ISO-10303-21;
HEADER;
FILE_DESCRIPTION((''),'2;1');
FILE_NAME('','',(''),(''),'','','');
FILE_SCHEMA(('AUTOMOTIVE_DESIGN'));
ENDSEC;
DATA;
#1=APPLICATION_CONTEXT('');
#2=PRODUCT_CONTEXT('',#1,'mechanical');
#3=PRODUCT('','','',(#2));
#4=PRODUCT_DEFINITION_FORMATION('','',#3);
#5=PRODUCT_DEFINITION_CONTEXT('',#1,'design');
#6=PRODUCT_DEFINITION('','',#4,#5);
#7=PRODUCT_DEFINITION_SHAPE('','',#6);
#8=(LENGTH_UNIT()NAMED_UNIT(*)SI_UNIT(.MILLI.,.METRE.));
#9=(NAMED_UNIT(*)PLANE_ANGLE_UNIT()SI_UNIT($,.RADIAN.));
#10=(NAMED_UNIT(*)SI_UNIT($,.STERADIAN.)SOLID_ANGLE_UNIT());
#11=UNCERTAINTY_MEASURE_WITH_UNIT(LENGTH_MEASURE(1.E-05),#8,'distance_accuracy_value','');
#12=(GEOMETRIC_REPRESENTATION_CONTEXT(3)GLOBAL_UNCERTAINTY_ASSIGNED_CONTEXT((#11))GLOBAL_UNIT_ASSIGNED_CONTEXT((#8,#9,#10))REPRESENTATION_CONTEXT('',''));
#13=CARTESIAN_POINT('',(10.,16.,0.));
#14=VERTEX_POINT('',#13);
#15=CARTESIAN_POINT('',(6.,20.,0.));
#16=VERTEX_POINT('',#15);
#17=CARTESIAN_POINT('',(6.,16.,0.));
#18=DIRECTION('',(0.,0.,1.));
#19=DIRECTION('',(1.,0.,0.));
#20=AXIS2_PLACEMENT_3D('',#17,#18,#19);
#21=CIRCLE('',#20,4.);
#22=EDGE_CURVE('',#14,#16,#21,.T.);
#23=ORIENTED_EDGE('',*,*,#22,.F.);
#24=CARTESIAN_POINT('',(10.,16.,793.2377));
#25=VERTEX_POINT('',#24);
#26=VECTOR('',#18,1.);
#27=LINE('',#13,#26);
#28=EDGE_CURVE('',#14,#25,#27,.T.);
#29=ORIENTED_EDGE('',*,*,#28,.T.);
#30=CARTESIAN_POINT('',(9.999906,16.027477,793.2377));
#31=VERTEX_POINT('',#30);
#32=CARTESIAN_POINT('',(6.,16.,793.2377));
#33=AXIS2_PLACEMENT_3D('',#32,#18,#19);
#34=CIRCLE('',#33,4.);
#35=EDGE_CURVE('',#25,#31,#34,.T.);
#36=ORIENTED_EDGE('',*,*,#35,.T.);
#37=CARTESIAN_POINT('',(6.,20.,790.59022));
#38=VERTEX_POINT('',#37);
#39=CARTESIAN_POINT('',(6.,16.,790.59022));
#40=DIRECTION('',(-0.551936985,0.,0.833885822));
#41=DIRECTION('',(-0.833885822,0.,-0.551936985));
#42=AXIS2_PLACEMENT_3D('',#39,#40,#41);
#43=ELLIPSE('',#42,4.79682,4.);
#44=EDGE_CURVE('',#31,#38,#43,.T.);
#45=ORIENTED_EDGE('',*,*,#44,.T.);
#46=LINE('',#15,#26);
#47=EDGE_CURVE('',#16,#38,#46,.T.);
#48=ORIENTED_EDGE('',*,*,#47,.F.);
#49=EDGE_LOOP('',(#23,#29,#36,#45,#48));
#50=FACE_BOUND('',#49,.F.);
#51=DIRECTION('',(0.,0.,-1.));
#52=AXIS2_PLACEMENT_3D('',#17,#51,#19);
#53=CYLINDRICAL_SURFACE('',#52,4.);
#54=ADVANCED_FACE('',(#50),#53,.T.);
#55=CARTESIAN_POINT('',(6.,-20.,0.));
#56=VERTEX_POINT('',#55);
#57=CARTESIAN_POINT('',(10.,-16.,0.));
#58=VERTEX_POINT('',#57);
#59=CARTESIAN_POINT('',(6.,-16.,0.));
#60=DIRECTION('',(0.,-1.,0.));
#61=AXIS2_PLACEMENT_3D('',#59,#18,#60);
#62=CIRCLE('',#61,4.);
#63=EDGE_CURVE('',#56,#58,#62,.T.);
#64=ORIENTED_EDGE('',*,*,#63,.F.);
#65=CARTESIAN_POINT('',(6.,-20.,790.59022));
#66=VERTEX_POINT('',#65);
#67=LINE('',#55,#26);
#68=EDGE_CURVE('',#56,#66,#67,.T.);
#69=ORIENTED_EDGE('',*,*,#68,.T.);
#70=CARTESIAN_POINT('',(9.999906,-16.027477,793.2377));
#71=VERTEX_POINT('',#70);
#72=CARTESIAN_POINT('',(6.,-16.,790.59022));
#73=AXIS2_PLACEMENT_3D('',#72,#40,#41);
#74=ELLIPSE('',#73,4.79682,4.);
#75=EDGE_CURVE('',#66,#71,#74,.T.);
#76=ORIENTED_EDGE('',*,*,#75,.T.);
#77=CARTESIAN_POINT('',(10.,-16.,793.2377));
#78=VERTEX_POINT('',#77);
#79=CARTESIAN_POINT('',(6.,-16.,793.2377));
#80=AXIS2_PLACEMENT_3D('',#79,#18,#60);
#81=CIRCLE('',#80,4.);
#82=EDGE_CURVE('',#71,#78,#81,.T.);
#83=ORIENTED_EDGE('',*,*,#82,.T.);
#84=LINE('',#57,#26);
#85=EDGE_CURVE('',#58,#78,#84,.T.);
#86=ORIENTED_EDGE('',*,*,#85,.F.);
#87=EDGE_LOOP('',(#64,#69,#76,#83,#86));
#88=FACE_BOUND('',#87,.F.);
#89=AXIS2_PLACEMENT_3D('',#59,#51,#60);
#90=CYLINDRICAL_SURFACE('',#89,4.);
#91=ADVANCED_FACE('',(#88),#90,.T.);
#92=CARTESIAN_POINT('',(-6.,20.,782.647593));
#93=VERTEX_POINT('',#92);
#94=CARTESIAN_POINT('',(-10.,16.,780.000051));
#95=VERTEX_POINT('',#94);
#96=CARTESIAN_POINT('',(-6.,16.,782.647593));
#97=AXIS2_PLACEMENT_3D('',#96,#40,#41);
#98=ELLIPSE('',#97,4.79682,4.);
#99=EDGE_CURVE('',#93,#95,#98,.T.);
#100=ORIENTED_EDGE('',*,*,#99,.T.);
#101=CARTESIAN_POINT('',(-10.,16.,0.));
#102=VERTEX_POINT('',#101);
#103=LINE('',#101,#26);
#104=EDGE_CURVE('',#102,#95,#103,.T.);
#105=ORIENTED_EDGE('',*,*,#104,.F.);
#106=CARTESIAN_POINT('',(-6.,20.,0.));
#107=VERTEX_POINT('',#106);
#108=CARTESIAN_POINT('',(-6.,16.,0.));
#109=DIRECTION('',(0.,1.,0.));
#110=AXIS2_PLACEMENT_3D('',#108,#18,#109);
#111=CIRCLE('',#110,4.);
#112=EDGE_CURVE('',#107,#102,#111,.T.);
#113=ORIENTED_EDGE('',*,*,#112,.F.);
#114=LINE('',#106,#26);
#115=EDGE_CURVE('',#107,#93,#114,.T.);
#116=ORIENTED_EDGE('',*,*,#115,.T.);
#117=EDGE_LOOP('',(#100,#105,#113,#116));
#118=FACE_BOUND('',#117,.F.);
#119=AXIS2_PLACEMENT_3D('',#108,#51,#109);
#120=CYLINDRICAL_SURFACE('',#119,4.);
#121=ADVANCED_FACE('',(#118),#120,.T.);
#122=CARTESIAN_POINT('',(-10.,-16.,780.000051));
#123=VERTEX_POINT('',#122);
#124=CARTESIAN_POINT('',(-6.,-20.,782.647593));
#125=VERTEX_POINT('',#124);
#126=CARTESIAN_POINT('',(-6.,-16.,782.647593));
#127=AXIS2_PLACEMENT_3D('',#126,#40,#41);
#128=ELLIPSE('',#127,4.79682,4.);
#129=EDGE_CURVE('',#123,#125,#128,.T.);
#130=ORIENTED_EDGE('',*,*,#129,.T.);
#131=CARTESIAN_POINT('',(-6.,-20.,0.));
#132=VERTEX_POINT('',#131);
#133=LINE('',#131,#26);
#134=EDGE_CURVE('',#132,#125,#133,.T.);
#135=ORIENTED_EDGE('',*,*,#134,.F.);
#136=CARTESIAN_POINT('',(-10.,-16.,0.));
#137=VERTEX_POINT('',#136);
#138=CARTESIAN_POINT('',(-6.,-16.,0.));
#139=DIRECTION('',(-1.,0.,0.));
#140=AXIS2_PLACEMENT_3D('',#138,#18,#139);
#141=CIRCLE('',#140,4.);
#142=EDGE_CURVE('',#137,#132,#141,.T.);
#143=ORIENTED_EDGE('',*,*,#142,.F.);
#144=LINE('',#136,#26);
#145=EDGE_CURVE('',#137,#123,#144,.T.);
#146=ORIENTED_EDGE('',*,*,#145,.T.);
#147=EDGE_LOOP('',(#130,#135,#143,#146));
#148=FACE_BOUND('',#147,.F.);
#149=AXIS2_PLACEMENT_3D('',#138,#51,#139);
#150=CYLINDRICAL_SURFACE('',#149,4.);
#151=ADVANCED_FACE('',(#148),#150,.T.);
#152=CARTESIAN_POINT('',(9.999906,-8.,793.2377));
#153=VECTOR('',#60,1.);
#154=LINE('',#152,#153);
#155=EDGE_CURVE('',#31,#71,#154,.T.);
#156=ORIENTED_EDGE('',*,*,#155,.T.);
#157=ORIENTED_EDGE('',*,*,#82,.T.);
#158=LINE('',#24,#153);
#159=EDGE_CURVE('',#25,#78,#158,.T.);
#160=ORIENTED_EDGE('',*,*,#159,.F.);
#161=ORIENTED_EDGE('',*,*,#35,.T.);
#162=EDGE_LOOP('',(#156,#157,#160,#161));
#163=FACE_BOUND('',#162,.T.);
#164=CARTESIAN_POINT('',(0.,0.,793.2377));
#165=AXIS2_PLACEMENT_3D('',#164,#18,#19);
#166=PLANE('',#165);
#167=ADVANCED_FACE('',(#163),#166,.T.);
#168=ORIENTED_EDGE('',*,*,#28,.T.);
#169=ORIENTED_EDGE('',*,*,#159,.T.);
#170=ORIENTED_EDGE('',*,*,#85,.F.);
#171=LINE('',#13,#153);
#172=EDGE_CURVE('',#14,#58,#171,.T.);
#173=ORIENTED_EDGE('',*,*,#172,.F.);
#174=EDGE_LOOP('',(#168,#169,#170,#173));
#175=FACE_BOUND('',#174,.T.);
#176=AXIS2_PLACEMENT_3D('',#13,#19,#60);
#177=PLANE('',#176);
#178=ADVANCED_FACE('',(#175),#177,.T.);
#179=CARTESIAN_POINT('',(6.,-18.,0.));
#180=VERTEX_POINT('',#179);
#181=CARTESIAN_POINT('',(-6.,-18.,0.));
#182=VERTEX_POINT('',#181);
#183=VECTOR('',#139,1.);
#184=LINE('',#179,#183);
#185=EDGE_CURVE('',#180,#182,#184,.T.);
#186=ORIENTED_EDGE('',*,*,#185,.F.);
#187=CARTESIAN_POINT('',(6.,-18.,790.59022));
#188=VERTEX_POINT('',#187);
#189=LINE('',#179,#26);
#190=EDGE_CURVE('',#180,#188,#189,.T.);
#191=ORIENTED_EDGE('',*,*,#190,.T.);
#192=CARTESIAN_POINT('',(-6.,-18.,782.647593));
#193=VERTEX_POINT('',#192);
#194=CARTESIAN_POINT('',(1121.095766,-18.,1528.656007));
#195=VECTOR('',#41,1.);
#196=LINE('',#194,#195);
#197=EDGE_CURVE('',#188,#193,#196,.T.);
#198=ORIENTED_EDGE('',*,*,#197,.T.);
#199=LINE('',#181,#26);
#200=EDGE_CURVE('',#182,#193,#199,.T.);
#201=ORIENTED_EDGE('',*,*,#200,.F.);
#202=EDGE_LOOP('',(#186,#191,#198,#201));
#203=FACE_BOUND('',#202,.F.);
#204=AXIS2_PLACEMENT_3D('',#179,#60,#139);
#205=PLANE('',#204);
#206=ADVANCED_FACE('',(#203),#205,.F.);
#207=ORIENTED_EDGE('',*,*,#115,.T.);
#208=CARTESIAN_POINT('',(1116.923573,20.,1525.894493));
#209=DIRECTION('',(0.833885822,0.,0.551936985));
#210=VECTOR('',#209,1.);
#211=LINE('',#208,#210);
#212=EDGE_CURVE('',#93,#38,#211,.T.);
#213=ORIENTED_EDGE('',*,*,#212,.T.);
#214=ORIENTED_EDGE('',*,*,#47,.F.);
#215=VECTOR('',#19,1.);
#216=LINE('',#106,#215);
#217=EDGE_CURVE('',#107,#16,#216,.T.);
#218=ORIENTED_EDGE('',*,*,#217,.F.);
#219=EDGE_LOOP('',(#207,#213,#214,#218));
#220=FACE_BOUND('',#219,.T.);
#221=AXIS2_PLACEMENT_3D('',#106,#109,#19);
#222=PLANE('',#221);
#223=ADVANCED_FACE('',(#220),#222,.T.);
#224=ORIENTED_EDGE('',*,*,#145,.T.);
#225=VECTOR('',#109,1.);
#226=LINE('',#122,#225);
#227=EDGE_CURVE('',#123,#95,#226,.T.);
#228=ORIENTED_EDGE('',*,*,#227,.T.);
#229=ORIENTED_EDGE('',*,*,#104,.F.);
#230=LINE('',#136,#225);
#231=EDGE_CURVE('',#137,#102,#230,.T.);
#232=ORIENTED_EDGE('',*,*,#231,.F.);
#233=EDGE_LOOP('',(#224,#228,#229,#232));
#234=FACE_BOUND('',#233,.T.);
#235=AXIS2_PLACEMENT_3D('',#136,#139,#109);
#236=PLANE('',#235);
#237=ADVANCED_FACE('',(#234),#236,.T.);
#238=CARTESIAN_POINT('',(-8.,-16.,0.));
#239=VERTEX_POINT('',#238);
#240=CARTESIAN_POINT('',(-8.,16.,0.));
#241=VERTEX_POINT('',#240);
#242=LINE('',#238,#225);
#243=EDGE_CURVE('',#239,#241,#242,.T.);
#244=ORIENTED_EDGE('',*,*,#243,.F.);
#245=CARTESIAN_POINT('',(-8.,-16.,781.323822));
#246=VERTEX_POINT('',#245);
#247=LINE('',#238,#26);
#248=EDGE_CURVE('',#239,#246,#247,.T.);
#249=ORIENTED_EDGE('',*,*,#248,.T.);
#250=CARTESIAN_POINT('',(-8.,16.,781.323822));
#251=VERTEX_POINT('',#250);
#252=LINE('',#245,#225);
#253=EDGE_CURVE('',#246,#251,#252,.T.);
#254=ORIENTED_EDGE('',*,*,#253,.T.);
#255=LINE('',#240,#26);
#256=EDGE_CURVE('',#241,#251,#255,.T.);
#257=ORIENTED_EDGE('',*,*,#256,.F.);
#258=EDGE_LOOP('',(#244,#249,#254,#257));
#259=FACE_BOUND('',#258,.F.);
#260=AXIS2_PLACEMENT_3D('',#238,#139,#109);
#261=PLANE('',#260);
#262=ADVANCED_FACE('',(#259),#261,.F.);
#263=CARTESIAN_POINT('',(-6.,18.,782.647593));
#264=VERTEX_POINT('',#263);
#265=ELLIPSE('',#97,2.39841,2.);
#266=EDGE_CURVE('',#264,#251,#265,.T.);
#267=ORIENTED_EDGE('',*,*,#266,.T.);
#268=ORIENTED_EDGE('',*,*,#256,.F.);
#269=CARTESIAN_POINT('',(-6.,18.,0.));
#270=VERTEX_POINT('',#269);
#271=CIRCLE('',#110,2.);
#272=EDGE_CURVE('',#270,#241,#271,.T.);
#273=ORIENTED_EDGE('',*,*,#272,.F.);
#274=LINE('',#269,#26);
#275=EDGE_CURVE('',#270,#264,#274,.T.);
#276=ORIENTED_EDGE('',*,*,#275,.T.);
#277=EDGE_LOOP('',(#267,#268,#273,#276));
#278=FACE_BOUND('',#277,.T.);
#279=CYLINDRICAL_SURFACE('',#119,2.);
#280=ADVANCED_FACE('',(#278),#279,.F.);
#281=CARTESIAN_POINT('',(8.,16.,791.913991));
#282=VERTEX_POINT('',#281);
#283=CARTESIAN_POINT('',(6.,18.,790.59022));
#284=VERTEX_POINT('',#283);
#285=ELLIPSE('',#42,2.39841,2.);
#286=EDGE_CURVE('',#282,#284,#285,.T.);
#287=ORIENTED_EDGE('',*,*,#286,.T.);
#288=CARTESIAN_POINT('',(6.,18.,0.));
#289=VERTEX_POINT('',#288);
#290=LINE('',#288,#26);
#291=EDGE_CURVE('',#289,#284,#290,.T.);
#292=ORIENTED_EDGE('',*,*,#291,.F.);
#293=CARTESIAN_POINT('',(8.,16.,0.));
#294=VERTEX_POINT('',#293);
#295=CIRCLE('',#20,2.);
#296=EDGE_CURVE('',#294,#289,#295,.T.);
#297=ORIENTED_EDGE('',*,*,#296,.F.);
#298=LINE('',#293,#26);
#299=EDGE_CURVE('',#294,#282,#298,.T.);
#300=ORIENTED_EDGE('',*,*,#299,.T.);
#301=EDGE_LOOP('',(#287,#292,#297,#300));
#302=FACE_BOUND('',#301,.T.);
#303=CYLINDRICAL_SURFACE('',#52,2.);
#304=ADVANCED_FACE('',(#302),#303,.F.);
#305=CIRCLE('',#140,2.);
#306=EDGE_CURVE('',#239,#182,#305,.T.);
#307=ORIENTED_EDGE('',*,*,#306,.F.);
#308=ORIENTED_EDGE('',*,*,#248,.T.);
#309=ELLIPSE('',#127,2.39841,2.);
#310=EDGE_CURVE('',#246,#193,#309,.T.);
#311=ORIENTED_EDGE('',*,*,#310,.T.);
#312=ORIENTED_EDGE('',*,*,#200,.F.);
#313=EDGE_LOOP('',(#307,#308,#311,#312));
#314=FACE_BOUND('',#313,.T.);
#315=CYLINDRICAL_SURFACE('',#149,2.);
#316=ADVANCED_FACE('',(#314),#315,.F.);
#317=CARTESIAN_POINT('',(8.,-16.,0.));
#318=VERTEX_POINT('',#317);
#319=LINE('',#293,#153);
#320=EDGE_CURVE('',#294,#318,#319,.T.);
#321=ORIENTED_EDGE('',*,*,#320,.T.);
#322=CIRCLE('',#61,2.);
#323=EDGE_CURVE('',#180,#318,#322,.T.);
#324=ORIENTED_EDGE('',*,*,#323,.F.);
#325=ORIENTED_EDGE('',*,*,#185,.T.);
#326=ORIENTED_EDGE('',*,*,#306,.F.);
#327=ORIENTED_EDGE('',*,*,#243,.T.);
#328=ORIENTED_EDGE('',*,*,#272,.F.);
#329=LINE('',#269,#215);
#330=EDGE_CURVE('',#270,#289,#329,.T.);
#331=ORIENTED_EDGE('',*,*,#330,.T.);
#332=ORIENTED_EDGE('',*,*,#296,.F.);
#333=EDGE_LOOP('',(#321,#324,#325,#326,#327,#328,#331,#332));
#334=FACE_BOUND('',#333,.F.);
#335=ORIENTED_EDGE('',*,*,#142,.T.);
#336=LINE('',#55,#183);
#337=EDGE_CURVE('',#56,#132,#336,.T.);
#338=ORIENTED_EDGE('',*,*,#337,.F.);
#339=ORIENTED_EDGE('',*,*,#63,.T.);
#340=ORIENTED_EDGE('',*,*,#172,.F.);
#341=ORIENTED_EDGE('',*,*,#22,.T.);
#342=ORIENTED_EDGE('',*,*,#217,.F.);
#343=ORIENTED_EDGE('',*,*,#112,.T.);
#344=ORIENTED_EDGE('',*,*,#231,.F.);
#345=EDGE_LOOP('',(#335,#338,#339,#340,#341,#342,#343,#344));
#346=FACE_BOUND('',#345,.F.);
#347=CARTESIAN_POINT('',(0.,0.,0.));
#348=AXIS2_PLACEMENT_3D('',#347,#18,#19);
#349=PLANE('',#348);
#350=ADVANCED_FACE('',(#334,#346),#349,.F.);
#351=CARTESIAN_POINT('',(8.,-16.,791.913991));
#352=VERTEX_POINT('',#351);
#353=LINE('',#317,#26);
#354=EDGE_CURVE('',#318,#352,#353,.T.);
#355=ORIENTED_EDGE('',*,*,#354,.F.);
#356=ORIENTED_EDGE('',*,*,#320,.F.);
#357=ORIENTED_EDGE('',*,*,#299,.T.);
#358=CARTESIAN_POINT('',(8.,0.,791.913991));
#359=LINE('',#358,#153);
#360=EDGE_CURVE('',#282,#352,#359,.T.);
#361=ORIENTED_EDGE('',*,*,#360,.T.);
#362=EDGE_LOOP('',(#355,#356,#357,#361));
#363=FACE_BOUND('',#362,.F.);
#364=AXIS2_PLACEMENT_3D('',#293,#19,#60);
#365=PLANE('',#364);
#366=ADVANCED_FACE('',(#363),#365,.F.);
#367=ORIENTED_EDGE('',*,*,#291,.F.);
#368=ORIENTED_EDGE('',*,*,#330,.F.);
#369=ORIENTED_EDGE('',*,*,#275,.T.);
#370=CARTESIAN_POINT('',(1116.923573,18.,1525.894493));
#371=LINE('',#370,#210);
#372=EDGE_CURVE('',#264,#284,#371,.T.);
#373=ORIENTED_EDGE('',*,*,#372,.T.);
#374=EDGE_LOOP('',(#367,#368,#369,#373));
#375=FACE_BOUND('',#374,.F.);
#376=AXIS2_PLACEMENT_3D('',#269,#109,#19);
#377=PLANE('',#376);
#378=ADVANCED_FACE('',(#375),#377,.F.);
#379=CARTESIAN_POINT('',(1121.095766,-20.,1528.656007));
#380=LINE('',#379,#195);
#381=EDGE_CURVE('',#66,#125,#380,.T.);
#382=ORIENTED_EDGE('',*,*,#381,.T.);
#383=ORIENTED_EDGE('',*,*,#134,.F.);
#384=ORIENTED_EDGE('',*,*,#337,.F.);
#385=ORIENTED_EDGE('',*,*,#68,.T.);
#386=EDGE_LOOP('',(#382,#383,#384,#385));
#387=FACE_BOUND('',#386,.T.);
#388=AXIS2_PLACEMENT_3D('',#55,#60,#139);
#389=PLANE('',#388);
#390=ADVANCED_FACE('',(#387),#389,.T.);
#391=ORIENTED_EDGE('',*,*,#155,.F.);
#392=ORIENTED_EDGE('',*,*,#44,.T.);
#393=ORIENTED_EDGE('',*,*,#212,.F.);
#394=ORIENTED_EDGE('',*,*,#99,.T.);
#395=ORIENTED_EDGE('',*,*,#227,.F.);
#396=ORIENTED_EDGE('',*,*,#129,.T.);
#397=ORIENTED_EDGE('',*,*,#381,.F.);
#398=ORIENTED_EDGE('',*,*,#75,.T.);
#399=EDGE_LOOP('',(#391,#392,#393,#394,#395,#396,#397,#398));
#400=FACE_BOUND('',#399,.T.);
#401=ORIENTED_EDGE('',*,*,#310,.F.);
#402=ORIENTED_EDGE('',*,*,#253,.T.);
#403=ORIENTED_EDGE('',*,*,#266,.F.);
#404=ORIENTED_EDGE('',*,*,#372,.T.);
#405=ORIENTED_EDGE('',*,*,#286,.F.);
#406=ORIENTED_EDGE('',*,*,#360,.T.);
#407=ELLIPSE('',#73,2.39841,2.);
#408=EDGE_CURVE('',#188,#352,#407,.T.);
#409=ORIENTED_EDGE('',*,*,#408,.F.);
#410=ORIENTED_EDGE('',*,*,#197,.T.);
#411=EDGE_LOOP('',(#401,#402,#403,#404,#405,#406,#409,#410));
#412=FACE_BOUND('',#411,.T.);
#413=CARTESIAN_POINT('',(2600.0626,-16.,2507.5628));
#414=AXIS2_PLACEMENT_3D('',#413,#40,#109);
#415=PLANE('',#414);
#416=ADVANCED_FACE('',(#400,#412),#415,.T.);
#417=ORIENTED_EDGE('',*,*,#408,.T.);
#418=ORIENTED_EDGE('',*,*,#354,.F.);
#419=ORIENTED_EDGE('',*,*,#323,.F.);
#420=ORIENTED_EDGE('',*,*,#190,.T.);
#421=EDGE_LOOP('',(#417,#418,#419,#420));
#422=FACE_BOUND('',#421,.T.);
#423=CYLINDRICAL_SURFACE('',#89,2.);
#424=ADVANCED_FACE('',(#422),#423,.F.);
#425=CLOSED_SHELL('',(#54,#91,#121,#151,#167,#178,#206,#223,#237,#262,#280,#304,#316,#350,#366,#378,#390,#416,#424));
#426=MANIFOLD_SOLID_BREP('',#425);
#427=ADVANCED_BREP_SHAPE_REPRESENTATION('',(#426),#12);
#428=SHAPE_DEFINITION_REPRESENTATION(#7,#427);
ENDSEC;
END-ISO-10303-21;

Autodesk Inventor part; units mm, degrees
ref_plane "Start Plane" through (0, 0, 0) normal (0, 0, 1) x (1, 0, 0)
ref_plane "End Plane" through (0, 0, 793.2377) normal (0, 0, 1) x (1, 0, 0)
sketch "Sketch" plane through (0, 0, 0) normal (0, 0, 1) x (1, 0, 0)
  line L0 (-10, -16) -> (-10, 16)
  line L1 (-6, 20) -> (6, 20)
  line L2 (10, 16) -> (10, -16)
  line L3 (6, -20) -> (-6, -20)
  arc A0 (-10, -16) -> (-6, -20) centre (-6, -16) ccw
  arc A1 (10, 16) -> (6, 20) centre (6, 16) ccw
  arc A2 (-6, 20) -> (-10, 16) centre (-6, 16) ccw
  arc A3 (6, -20) -> (10, -16) centre (6, -16) ccw
  arc A4 (-6, 18) -> (-8, 16) centre (-6, 16) ccw
  line L4 (-6, 18) -> (6, 18)
  arc A5 (8, 16) -> (6, 18) centre (6, 16) ccw
  line L5 (8, 16) -> (8, -16)
  arc A6 (6, -18) -> (8, -16) centre (6, -16) ccw
  line L6 (6, -18) -> (-6, -18)
  arc A7 (-8, -16) -> (-6, -18) centre (-6, -16) ccw
  line L7 (-8, -16) -> (-8, 16)
  line L8 (0, 29.1598) -> (0, -29.1598) construction
  line L9 (-15.1598, 0) -> (15.1598, 0) construction
  dimension "d7" = 4
  dimension "d9" = 20
  dimension "d11" = 40
  dimension "d12" = 2
  dimension "d15" = 10
  dimension "d16" = 20
extrude "Body" add sketch "Sketch" along normal up to surface (793.2377 mm away) from surface at 0
sketch "Sketch3" plane through (0, 0, 0) normal (0, 0, 1) x (1, 0, 0)
  line L0 (0, 0) -> (10, 0)
ref_plane "Work Plane3" through (0, 0, 0) normal (0, -1, 0) x (1, 0, 0)
ref_plane "Work Plane4" through (2600.0626, -16, 2507.5628) normal (-0.5519, 0, 0.8339) x (0.8339, 0, 0.5519)
split "Split1" plane through (2600.0626, -16, 2507.5628) removes the side toward (-0.5519, 0, 0.8339)
sketch "Sketch4" plane through (0, 0, 0) normal (0, -1, 0) x (1, 0, 0)
  line L0 (-2, 0) -> (12, 0) projected
  line L1 (-2, 793.2377) -> (12, 793.2377) projected
  dimension "d18" = 793.2377
equation "\"d7\" = G_IR"
equation "\"d9\" = G_W"
equation "\"d11\" = G_H"
equation "\"d12\" = G_T"
equation "\"d15\" = 0.5 * d9"
equation "\"d16\" = 0.5 * d11"
equation "\"d3\" = G_L"
equation "\"G_W\" = 20"
equation "\"G_H\" = 40"
equation "\"G_T\" = 2"
equation "\"G_IR\" = 4"
equation "\"G_L\" = d18"
equation "\"G_OFFSET_START\" = 0"
equation "\"G_OFFSET_END\" = 13.23771"
equation "\"d14\" = G_OFFSET_END + B_L"
equation "\"B_L\" = 780"
properties part number "ISO 4019 - 40x20x2 - 793,24" material "Steel, Mild"
